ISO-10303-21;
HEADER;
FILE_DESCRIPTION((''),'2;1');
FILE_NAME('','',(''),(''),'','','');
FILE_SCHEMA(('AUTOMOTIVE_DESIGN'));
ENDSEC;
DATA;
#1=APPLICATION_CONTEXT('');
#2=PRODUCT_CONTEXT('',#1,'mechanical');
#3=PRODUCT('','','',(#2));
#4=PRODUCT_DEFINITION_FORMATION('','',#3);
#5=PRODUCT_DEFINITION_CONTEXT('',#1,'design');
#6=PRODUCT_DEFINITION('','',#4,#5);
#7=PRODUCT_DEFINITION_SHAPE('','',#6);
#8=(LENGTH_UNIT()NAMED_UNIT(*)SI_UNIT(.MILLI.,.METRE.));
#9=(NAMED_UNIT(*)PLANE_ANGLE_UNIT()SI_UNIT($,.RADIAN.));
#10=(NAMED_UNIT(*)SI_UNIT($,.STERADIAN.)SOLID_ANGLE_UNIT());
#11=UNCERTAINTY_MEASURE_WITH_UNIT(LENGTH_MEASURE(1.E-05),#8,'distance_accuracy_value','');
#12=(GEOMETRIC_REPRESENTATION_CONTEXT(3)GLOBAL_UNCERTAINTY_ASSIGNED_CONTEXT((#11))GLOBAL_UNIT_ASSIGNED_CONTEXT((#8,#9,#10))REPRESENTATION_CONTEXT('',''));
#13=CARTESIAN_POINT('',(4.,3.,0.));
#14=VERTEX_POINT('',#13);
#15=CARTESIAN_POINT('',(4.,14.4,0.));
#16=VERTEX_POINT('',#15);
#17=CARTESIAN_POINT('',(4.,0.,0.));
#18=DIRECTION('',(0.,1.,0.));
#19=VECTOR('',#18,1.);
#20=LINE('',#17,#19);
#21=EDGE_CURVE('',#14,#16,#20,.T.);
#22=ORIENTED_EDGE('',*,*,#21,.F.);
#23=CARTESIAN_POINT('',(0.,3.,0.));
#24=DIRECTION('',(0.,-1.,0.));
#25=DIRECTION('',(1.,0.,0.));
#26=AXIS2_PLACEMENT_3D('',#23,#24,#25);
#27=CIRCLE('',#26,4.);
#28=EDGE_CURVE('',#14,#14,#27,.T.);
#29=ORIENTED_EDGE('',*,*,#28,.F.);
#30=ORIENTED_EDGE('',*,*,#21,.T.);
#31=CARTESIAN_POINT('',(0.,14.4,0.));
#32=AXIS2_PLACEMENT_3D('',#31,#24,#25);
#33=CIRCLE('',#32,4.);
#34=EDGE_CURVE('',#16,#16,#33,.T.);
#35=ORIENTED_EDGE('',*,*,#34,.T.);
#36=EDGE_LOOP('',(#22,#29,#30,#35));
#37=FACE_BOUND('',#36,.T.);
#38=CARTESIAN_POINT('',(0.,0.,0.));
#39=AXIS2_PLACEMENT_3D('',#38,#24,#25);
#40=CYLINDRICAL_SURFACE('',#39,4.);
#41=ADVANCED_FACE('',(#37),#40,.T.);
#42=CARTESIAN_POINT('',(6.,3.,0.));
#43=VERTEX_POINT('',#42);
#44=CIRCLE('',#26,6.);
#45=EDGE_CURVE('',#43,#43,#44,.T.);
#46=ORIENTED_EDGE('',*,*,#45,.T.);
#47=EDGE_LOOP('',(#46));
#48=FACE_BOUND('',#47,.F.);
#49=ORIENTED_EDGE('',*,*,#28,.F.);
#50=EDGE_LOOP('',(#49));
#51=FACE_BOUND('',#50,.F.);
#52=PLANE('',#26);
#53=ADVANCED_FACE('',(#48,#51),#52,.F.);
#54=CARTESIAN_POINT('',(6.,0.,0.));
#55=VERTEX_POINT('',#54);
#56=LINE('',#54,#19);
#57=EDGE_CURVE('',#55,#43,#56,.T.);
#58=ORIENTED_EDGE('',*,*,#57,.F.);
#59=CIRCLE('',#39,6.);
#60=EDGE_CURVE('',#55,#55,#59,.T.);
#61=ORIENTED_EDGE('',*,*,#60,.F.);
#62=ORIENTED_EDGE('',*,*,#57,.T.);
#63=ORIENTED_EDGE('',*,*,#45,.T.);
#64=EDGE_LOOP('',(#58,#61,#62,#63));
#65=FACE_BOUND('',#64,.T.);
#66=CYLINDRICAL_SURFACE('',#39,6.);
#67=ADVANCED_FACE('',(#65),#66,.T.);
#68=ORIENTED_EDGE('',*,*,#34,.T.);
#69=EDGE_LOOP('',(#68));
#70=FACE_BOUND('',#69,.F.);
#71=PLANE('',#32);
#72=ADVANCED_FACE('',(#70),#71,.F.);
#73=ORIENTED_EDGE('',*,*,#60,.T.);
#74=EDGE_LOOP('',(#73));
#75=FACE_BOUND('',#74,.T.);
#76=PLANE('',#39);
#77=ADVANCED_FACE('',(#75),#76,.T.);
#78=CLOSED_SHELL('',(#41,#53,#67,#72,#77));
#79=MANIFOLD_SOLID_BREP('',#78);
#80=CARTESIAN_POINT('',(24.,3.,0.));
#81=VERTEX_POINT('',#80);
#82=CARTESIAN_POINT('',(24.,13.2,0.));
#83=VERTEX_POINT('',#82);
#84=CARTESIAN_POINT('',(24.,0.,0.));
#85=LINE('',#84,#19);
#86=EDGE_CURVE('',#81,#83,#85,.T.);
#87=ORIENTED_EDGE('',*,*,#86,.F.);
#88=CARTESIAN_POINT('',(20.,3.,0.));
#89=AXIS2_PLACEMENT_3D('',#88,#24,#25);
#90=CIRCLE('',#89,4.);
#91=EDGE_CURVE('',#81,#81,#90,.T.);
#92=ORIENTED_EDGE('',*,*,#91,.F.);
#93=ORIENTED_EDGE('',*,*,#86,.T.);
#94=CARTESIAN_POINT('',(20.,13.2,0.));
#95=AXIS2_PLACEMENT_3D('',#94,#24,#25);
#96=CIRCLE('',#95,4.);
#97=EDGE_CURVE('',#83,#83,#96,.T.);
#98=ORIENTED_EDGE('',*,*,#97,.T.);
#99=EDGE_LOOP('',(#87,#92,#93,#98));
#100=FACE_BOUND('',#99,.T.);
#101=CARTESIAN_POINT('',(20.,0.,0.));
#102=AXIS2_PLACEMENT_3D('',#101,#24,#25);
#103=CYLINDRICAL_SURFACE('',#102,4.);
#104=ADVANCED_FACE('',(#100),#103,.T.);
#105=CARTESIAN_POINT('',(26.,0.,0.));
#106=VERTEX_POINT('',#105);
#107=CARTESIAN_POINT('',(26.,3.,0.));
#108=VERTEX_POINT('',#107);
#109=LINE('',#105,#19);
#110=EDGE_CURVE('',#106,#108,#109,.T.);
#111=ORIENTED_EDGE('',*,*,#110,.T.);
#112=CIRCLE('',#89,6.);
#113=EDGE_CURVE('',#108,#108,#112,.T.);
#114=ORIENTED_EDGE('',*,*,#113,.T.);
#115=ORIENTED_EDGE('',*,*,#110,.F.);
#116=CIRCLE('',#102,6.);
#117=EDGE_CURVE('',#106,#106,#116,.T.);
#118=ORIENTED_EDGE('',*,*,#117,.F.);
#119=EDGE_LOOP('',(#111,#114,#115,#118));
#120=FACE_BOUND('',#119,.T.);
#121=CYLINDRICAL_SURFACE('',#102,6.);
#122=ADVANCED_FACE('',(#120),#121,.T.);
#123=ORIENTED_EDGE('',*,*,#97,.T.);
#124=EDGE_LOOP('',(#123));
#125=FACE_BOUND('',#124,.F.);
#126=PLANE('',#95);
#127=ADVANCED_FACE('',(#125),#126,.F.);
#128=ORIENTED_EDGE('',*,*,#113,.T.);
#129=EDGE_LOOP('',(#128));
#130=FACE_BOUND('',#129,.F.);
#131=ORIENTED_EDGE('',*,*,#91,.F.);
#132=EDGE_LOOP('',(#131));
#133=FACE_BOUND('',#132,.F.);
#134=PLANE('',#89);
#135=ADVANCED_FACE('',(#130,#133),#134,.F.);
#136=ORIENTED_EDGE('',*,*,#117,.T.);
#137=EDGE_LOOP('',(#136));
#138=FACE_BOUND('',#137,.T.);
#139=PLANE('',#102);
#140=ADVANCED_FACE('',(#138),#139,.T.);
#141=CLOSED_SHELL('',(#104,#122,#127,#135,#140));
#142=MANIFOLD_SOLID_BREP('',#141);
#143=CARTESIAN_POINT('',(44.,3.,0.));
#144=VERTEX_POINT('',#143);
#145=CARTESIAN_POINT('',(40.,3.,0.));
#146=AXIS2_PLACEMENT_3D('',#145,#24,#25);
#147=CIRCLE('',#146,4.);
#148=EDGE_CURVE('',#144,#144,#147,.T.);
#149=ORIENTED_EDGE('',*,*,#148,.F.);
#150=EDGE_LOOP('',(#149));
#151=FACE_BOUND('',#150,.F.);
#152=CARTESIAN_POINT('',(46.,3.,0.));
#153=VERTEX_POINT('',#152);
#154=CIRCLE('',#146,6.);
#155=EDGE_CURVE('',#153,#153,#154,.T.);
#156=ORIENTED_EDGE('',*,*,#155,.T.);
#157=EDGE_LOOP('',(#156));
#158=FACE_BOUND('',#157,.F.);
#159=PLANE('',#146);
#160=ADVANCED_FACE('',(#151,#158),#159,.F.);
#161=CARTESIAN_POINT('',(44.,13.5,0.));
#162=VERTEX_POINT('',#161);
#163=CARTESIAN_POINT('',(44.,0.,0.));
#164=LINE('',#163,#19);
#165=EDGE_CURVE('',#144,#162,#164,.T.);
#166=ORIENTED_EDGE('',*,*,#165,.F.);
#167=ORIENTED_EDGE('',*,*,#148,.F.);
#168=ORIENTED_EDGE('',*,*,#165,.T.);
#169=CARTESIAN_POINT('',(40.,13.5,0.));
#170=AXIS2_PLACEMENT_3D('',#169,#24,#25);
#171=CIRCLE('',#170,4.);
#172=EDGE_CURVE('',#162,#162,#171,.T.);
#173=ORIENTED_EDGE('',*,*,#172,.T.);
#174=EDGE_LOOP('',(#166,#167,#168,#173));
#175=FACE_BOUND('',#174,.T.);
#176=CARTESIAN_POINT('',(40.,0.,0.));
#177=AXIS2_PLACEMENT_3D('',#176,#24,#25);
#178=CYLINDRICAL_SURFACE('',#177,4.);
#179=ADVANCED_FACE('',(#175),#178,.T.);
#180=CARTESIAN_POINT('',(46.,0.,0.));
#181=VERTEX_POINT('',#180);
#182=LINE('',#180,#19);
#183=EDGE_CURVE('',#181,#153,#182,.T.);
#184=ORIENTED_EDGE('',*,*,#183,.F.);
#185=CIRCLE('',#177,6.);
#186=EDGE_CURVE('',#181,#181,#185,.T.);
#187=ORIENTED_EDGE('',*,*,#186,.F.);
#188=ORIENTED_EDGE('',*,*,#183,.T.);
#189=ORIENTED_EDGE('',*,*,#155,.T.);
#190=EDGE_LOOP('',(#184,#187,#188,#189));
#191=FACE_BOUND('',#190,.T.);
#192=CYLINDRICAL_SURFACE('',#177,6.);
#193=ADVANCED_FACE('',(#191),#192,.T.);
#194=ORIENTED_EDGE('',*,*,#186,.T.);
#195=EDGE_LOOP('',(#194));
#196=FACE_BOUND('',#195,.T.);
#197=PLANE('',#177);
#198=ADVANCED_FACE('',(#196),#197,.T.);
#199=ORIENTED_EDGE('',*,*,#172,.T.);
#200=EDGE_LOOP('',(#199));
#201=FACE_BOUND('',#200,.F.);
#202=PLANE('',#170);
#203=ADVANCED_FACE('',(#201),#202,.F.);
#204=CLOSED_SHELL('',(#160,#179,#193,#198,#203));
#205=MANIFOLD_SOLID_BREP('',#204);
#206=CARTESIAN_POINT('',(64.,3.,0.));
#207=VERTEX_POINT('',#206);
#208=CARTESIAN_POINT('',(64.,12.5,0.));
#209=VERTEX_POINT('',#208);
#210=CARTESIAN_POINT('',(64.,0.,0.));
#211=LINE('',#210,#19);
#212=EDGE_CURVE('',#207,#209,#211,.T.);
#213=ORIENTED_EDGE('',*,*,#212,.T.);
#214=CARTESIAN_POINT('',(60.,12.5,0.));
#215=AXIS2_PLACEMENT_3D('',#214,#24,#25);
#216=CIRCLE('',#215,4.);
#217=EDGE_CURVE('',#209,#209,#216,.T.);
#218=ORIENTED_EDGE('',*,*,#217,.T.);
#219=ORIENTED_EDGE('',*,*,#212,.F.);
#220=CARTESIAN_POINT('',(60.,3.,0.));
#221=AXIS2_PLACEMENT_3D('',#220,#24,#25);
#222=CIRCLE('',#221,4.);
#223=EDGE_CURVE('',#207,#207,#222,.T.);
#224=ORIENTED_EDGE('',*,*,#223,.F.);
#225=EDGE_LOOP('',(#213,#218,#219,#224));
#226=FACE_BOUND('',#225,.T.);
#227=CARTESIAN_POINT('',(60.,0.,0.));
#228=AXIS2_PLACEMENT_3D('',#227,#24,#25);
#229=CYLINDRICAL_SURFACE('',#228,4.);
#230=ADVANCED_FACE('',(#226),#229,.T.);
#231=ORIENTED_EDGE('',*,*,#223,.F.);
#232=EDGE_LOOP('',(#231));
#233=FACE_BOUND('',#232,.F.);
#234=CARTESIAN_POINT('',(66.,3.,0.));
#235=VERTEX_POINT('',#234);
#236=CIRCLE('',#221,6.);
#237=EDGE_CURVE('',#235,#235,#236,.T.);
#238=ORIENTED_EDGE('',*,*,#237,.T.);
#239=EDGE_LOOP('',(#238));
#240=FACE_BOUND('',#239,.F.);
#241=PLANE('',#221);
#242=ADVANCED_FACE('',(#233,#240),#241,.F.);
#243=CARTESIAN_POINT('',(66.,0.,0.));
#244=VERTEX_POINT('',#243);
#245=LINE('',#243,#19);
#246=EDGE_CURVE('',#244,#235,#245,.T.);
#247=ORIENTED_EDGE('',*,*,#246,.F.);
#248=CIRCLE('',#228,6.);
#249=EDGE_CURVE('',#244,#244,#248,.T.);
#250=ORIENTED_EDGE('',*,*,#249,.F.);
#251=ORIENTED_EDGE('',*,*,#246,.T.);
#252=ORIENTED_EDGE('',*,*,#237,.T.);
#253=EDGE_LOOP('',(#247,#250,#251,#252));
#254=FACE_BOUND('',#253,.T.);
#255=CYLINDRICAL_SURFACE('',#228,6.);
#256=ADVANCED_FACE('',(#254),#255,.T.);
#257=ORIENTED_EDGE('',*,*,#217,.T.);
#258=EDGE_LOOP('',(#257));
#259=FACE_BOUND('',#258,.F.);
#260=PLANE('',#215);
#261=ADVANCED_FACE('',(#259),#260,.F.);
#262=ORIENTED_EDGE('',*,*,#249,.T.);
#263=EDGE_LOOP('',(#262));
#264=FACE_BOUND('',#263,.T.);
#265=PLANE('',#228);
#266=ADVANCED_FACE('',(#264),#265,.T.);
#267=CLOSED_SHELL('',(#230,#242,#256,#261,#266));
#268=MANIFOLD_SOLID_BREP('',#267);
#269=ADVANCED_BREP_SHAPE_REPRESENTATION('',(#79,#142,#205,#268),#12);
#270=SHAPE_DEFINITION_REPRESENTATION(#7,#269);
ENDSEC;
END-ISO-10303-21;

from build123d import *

# Parameters (mm, degrees)
F0_R     = 4
F1_DEPTH = 14.4
F2_DEPTH = 13.2
F3_DEPTH = 13.5
F4_DEPTH = 12.5
F0_R_2   = 6
F5_DEPTH = 3


with BuildPart() as f1:
    # F0 (on Front) → F1 (new body)
    with BuildSketch(Plane.XZ):
        Circle(F0_R)
    extrude(amount=-F1_DEPTH)



with BuildPart() as f2:
    # F0 (on Front) → F2 (new body)
    with BuildSketch(Plane.XZ):
        with Locations((20, 0)):
            Circle(F0_R)
    extrude(amount=-F2_DEPTH)


with BuildPart() as f3:
    # F0 (on Front) → F3 (new body)
    with BuildSketch(Plane.XZ):
        with Locations((40, 0)):
            Circle(F0_R)
    extrude(amount=-F3_DEPTH)


with BuildPart() as f4:
    # F0 (on Front) → F4 (new body)
    with BuildSketch(Plane.XZ):
        with Locations((60, 0)):
            Circle(F0_R)
    extrude(amount=-F4_DEPTH)


with BuildPart() as f1_1:
    add(f1.part)

    add(f2.part)  # F5 merges F2

    add(f3.part)  # F5 merges F3

    add(f4.part)  # F5 merges F4
    # F0 (on Front) → F5 (join)
    with BuildSketch(Plane.XZ):
        with Locations((40, 0)):
            Circle(F0_R_2)
        with Locations((40, 0)):
            Circle(F0_R, mode=Mode.SUBTRACT)
        with Locations((20, 0)):
            Circle(F0_R_2)
        with Locations((20, 0)):
            Circle(F0_R, mode=Mode.SUBTRACT)
        Circle(F0_R_2)
        Circle(F0_R, mode=Mode.SUBTRACT)
        with Locations((60, 0)):
            Circle(F0_R_2)
        with Locations((60, 0)):
            Circle(F0_R, mode=Mode.SUBTRACT)
    extrude(amount=-F5_DEPTH)


solid = f1_1.part
